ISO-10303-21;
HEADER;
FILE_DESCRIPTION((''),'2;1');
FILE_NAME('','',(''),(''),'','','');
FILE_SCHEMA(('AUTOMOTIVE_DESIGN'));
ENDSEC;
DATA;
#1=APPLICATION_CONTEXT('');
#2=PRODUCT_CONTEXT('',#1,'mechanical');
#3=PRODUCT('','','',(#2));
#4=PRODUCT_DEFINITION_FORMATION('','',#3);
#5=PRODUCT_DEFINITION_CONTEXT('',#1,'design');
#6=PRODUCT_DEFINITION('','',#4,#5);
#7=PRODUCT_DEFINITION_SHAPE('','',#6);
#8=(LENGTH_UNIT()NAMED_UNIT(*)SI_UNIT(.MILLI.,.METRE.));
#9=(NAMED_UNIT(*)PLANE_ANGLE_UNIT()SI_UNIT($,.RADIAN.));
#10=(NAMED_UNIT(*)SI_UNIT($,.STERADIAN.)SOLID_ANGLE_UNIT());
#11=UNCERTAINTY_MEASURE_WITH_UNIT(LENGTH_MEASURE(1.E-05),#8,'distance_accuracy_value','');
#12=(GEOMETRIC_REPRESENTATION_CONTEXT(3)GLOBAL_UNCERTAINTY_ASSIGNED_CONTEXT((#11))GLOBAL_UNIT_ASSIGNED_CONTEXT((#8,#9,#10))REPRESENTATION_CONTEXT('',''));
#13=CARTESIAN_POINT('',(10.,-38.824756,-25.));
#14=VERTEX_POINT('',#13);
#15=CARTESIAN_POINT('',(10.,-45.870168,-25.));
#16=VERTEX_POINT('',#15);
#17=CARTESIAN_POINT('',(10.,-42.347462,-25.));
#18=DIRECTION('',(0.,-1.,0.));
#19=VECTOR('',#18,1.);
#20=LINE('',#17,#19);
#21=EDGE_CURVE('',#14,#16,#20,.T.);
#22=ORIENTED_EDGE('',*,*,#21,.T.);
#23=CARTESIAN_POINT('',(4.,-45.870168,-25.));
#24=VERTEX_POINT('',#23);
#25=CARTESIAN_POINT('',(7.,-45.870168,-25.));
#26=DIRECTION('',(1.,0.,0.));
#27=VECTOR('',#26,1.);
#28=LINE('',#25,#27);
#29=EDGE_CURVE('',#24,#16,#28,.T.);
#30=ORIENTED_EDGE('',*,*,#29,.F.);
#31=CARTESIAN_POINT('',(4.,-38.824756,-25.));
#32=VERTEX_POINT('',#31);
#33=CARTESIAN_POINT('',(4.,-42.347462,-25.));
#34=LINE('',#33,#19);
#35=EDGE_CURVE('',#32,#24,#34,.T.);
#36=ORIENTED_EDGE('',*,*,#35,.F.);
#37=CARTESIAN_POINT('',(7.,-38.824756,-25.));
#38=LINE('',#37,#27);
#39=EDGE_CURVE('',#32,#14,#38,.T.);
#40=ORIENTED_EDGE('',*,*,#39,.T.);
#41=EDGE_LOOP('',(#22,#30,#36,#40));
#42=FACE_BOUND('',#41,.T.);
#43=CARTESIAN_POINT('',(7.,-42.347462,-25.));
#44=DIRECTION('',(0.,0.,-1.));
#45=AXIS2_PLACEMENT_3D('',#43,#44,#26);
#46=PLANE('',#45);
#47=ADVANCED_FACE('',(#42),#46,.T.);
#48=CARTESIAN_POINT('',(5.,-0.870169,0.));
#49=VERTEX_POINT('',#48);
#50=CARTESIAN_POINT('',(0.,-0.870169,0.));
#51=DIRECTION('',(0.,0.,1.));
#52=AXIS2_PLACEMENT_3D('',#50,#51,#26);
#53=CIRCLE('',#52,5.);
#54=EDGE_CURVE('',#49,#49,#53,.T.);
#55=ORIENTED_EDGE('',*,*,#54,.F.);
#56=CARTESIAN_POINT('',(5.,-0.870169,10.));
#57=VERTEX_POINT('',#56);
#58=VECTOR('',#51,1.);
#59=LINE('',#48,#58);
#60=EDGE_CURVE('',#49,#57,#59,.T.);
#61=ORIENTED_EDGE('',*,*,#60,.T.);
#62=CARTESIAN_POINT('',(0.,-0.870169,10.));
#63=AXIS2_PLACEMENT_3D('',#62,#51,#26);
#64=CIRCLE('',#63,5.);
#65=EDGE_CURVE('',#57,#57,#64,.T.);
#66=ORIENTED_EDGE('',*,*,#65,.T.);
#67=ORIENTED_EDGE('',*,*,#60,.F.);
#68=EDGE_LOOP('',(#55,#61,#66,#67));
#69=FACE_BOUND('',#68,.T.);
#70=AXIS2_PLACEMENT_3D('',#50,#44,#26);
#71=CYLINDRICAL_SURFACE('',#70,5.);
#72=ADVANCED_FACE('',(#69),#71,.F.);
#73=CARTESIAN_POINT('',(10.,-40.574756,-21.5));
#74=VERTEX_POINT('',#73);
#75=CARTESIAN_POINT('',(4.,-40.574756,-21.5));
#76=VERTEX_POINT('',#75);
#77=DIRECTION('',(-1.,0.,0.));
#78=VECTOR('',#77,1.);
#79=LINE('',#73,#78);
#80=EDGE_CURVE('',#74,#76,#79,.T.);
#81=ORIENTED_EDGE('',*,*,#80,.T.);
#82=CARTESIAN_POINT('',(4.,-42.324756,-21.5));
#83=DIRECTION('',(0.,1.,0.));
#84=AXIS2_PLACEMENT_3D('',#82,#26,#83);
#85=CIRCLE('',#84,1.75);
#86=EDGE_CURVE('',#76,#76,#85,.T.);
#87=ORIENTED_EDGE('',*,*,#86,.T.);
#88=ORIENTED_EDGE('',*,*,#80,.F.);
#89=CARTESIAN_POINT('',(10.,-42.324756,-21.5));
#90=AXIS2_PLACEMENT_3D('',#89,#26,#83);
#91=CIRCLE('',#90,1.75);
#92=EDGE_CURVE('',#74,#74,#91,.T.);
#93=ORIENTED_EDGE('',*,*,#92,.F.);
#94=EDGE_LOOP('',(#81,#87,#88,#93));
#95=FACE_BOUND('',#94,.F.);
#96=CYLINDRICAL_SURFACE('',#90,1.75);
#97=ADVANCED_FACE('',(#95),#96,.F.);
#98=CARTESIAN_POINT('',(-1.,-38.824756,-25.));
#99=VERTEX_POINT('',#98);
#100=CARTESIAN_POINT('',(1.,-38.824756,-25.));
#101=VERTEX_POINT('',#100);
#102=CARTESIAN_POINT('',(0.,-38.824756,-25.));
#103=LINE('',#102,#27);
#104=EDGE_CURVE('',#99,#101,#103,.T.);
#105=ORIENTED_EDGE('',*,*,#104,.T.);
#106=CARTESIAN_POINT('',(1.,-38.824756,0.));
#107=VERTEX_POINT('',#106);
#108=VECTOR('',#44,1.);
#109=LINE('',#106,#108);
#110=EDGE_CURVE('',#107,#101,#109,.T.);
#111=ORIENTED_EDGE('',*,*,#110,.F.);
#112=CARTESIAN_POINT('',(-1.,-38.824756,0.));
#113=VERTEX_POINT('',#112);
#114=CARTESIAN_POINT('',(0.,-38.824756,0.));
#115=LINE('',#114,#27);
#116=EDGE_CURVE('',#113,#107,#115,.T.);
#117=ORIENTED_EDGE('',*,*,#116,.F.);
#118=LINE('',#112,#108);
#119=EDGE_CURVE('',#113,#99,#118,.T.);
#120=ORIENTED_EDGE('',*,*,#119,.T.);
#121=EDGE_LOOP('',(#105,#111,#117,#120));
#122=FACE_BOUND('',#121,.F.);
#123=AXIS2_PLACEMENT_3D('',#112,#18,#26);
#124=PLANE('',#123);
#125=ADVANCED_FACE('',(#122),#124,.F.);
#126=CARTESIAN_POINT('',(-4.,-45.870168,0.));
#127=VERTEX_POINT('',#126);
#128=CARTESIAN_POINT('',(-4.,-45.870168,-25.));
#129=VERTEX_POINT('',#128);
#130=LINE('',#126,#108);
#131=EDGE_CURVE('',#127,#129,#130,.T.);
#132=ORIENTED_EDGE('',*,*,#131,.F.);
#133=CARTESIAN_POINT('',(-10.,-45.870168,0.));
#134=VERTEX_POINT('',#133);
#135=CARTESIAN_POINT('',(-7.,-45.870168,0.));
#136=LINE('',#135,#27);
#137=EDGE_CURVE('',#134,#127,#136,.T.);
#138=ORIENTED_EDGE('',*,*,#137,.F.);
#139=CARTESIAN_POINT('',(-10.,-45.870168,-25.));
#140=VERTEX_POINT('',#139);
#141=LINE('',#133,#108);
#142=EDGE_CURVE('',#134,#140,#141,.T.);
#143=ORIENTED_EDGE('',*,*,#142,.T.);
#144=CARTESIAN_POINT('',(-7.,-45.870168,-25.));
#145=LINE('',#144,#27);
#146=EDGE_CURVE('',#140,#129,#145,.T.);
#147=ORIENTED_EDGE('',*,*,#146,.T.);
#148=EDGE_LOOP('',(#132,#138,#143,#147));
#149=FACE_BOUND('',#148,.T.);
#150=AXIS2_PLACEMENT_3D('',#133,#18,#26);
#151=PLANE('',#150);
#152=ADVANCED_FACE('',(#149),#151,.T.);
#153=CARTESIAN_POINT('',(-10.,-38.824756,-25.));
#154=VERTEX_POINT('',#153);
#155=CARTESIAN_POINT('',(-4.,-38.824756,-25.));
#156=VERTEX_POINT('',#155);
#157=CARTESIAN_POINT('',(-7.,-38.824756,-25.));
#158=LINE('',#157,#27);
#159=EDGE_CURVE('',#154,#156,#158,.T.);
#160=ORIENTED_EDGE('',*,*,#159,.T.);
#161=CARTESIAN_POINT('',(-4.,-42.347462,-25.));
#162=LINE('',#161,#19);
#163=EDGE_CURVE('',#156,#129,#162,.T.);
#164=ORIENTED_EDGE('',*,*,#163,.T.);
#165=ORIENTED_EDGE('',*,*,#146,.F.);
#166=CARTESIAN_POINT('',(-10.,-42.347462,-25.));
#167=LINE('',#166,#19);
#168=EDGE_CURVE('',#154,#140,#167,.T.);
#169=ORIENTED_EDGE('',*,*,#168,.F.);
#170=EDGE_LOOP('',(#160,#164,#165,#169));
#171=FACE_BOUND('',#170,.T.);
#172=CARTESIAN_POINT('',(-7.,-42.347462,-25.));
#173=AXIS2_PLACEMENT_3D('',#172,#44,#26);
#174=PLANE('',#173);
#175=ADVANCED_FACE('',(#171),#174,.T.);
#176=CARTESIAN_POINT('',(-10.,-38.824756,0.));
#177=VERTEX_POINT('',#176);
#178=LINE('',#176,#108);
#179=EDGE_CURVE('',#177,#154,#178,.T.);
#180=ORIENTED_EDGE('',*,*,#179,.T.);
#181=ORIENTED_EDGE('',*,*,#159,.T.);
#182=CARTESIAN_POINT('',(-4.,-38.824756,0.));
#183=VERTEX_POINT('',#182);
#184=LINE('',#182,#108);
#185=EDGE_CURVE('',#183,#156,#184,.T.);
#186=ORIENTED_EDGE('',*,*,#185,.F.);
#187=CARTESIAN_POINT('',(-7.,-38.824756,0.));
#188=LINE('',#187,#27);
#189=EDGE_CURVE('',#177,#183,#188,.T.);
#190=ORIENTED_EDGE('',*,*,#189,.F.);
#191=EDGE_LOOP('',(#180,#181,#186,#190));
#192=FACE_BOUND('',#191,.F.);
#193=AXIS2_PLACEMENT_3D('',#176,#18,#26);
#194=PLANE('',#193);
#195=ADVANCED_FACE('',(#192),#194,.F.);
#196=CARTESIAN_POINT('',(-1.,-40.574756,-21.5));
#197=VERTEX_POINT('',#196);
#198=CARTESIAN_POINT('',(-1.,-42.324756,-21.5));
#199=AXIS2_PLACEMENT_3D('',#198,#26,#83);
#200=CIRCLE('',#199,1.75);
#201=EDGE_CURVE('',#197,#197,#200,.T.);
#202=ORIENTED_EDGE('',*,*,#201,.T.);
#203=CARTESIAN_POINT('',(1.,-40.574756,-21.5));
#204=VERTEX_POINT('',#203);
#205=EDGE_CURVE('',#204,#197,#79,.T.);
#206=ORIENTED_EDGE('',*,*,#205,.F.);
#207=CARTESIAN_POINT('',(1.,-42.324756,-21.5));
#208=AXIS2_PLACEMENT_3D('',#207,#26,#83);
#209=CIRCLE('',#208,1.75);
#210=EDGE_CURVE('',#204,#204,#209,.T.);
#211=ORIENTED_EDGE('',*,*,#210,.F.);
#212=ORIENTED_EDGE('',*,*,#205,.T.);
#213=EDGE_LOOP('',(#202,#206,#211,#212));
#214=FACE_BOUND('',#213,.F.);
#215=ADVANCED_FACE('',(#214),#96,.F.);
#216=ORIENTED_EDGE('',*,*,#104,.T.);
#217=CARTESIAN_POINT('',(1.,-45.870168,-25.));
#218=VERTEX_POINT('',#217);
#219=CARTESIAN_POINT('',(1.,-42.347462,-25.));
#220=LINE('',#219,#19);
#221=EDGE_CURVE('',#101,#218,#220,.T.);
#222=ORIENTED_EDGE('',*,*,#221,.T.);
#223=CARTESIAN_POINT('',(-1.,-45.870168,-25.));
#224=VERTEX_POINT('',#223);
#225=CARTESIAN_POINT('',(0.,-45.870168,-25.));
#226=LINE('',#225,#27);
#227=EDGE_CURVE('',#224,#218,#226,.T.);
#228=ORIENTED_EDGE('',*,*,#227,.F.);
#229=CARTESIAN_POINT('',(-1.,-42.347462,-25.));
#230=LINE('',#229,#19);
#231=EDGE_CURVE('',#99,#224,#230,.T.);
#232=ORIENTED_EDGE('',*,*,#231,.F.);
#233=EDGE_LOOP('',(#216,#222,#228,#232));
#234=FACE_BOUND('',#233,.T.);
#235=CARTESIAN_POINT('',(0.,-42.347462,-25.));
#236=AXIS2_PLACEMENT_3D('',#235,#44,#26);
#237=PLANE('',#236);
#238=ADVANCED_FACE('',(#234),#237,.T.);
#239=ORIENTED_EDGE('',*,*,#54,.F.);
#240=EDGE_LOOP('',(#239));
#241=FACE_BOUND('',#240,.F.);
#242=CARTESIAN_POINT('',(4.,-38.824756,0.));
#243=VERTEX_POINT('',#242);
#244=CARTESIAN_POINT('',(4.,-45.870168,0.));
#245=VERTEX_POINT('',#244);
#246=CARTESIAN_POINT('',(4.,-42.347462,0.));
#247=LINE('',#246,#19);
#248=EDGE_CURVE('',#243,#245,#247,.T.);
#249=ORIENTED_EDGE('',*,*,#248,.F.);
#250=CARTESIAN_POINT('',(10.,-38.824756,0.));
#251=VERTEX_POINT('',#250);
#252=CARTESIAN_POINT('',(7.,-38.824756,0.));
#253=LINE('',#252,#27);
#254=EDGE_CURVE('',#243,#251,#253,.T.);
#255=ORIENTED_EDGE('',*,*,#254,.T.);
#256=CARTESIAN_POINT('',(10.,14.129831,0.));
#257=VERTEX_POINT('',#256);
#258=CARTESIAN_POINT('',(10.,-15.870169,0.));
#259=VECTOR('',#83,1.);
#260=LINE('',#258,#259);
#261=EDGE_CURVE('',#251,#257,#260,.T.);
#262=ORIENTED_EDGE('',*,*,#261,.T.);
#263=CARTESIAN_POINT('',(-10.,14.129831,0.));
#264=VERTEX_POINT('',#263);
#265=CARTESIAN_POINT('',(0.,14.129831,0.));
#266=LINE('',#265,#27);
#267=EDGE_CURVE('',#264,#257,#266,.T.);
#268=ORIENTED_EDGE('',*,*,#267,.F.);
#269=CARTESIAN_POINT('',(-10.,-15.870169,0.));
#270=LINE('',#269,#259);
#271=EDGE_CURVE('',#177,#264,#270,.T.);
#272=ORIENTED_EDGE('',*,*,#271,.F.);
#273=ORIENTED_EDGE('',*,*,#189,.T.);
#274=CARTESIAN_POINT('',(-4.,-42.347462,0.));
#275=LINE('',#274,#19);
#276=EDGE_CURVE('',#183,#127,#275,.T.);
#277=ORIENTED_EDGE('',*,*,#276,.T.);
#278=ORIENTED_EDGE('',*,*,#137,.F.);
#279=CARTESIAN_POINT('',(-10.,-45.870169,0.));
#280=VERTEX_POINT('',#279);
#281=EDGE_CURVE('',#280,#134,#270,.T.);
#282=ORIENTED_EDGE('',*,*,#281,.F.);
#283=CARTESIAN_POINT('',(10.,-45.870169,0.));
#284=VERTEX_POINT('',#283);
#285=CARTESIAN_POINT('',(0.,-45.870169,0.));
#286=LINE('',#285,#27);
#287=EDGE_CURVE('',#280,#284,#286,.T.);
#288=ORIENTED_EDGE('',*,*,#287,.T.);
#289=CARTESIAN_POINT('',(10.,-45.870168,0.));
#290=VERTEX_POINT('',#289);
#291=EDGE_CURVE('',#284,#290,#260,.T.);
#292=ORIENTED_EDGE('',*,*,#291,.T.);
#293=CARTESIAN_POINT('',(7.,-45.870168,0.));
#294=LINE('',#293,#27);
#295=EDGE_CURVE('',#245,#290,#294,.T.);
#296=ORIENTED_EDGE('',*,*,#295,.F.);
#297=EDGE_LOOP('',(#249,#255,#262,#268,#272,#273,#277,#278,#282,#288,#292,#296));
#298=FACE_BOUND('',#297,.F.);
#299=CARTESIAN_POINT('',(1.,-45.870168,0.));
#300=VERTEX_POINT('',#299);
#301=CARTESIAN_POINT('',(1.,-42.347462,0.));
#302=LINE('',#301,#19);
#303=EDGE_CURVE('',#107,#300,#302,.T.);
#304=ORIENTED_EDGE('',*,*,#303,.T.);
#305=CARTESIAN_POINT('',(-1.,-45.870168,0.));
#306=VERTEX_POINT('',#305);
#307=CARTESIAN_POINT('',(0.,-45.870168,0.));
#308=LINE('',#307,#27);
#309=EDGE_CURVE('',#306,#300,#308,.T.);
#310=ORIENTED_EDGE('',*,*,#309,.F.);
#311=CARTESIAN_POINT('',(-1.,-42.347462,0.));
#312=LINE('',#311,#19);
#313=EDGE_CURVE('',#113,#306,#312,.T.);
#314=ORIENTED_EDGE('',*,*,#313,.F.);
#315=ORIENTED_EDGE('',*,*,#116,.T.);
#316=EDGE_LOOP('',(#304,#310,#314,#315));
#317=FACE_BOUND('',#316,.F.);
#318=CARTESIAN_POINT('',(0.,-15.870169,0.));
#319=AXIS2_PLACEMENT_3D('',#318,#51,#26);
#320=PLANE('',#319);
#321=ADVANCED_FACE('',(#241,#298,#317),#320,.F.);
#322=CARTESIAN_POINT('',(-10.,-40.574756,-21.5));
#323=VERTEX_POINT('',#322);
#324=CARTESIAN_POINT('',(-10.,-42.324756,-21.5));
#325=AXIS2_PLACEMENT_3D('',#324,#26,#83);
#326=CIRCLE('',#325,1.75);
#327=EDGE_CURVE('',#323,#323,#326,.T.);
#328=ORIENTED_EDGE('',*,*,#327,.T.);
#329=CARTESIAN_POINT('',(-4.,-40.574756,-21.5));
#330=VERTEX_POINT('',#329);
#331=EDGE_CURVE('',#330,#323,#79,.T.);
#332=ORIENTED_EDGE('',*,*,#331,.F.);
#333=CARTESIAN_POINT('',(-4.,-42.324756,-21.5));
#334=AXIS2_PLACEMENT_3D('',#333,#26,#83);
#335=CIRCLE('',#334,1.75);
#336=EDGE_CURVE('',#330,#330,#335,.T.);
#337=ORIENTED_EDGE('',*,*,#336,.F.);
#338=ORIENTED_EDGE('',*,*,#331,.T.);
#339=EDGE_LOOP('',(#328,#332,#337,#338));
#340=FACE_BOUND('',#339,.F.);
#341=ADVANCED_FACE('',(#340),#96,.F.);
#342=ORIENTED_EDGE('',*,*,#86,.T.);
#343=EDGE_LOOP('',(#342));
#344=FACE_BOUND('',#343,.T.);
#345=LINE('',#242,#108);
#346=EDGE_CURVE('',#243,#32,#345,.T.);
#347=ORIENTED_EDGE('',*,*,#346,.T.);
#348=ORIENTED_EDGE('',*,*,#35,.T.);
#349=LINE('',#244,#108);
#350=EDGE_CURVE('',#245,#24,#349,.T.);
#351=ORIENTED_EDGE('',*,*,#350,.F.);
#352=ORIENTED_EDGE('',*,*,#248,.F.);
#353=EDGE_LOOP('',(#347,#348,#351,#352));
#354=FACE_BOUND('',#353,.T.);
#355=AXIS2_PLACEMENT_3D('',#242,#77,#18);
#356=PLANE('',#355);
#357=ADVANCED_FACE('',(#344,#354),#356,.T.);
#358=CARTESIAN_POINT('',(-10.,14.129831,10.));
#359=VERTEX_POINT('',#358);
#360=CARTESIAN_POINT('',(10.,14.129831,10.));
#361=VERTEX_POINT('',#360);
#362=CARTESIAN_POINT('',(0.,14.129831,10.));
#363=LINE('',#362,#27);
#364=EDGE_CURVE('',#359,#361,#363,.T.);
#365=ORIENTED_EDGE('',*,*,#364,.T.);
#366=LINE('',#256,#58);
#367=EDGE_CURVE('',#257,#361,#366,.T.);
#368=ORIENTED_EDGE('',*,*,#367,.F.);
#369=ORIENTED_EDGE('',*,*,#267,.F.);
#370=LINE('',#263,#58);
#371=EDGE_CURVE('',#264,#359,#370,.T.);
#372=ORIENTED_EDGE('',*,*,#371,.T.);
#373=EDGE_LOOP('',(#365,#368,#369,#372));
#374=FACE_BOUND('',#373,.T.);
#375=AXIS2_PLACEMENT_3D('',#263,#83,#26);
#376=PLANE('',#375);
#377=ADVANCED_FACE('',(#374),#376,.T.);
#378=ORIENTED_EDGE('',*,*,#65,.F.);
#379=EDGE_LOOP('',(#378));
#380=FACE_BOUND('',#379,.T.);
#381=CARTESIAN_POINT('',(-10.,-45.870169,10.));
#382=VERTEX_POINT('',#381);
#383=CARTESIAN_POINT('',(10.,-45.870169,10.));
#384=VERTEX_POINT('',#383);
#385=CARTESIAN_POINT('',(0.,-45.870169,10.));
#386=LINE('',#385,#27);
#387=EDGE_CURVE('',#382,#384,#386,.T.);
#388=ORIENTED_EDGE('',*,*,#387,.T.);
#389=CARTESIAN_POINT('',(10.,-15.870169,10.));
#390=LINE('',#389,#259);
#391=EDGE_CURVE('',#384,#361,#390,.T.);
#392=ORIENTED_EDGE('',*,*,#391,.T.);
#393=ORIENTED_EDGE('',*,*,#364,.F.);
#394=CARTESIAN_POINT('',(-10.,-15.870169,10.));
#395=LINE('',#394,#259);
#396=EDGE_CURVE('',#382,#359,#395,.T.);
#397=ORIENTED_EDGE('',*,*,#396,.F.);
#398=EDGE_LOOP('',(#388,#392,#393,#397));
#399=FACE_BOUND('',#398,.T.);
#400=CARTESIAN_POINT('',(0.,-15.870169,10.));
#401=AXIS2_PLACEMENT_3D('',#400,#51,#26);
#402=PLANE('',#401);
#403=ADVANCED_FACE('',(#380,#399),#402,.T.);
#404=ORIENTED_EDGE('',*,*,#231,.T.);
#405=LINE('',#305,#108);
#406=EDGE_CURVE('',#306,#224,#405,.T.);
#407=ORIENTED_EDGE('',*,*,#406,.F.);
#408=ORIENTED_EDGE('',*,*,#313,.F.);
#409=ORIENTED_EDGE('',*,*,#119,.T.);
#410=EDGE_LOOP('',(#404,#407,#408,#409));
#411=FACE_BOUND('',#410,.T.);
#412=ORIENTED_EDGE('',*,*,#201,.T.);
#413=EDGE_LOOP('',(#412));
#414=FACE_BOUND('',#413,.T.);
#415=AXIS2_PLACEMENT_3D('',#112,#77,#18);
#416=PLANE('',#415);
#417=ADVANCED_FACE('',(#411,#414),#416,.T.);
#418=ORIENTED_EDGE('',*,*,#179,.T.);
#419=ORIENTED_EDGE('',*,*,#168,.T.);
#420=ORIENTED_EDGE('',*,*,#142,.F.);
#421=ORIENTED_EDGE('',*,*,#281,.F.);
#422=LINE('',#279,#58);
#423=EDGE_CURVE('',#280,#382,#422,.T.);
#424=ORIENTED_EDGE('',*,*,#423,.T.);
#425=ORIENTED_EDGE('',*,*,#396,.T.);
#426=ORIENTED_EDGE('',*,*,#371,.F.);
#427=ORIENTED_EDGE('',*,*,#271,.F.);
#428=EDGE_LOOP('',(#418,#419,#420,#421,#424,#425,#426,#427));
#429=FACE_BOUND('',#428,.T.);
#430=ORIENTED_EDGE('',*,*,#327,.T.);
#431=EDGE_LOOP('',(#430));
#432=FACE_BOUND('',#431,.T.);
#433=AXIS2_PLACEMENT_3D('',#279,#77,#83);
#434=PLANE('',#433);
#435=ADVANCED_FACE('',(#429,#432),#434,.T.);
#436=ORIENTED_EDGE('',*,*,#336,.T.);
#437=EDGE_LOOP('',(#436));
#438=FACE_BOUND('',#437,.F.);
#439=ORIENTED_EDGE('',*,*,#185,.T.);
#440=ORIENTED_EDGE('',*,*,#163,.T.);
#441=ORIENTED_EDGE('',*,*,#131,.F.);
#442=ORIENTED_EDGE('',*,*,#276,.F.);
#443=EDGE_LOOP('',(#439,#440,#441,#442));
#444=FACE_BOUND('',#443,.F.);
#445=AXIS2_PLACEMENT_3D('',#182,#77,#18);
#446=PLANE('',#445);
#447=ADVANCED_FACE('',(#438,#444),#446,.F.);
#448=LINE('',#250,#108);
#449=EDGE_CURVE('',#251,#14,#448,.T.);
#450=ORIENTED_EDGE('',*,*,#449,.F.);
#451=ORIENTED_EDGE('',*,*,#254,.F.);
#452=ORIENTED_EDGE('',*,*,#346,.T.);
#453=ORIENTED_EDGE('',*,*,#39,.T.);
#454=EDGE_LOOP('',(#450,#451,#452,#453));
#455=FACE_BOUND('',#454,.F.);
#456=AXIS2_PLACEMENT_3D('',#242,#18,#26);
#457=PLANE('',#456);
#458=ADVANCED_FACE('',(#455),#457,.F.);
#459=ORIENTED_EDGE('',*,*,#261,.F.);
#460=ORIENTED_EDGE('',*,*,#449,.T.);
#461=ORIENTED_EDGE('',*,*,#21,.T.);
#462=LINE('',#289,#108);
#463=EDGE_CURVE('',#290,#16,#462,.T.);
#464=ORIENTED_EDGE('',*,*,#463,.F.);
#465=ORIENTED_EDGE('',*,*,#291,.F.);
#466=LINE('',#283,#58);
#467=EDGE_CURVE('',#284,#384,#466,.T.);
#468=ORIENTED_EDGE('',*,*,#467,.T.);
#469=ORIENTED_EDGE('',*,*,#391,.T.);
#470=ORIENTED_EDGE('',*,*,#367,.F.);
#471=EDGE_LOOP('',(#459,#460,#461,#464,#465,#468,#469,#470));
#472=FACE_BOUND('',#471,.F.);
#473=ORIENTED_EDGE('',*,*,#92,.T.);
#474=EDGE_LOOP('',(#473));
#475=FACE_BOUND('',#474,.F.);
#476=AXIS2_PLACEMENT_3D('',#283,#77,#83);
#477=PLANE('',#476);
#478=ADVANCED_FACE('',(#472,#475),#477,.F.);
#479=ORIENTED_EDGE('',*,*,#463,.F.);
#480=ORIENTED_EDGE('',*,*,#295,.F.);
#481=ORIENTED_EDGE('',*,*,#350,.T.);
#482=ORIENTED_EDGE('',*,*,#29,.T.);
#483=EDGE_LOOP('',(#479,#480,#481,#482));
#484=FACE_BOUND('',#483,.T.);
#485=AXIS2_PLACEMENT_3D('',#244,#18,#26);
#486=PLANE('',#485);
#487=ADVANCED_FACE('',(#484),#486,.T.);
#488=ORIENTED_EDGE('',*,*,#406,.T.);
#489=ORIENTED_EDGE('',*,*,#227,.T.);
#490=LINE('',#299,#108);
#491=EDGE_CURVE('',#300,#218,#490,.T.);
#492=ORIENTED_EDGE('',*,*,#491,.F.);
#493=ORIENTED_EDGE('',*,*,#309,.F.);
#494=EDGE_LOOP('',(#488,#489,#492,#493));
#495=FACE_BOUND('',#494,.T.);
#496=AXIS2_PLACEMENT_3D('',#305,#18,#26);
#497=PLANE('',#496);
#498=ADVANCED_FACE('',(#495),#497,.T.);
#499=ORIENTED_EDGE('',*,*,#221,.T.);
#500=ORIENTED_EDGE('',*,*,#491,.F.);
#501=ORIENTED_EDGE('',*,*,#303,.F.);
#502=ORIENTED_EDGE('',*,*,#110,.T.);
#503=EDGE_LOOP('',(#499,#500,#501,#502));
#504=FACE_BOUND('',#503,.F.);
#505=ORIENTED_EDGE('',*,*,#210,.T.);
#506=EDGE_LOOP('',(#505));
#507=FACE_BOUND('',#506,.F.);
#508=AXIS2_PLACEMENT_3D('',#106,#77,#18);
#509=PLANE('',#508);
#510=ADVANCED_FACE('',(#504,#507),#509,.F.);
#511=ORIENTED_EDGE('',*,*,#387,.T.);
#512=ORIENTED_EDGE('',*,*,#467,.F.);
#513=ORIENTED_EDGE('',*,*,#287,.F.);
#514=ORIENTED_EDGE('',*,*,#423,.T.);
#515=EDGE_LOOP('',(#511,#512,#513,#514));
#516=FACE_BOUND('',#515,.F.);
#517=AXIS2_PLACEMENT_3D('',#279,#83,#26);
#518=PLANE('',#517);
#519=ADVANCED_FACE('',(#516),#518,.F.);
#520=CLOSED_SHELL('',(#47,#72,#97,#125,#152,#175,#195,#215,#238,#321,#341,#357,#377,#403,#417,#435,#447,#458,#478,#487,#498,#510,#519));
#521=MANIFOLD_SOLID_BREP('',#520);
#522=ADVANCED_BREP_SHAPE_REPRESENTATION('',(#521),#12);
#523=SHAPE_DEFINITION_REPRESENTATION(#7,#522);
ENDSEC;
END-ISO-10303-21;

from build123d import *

# Parameters (mm, degrees)
F0_W     = 20
F0_H     = 60
F0_R     = 5
F1_DEPTH = 10
F2_W     = 2
F2_H     = 7.045413
F2_W_2   = 6
F3_DEPTH = 25
F4_R     = 1.75
F5_DEPTH = 25


with BuildPart() as f1:
    # F0 (on Top) → F1 (new body)
    with BuildSketch(Plane.XY):
        with Locations((0, -15.870169)):
            Rectangle(F0_W, F0_H)
        with Locations((0, -0.870169)):
            Circle(F0_R, mode=Mode.SUBTRACT)
    extrude(amount=F1_DEPTH)

    # F2 (on face) → F3 (join)
    with BuildSketch(Plane(origin=(0, 0, 0), x_dir=(1, 0, 0), z_dir=(0, 0, -1))):
        with Locations((0, 42.347462)):
            Rectangle(F2_W, F2_H)
        with Locations((-7, 42.347462)):
            Rectangle(F2_W_2, F2_H)
        with Locations((7, 42.347462)):
            Rectangle(F2_W_2, F2_H)
    extrude(amount=F3_DEPTH)

    # F4 (on face) → F5 (cut)
    with BuildSketch(Plane.YZ.offset(10)):
        with Locations((-42.324756, -21.5)):
            Circle(F4_R)
    extrude(amount=-F5_DEPTH, mode=Mode.SUBTRACT)


solid = f1.part
